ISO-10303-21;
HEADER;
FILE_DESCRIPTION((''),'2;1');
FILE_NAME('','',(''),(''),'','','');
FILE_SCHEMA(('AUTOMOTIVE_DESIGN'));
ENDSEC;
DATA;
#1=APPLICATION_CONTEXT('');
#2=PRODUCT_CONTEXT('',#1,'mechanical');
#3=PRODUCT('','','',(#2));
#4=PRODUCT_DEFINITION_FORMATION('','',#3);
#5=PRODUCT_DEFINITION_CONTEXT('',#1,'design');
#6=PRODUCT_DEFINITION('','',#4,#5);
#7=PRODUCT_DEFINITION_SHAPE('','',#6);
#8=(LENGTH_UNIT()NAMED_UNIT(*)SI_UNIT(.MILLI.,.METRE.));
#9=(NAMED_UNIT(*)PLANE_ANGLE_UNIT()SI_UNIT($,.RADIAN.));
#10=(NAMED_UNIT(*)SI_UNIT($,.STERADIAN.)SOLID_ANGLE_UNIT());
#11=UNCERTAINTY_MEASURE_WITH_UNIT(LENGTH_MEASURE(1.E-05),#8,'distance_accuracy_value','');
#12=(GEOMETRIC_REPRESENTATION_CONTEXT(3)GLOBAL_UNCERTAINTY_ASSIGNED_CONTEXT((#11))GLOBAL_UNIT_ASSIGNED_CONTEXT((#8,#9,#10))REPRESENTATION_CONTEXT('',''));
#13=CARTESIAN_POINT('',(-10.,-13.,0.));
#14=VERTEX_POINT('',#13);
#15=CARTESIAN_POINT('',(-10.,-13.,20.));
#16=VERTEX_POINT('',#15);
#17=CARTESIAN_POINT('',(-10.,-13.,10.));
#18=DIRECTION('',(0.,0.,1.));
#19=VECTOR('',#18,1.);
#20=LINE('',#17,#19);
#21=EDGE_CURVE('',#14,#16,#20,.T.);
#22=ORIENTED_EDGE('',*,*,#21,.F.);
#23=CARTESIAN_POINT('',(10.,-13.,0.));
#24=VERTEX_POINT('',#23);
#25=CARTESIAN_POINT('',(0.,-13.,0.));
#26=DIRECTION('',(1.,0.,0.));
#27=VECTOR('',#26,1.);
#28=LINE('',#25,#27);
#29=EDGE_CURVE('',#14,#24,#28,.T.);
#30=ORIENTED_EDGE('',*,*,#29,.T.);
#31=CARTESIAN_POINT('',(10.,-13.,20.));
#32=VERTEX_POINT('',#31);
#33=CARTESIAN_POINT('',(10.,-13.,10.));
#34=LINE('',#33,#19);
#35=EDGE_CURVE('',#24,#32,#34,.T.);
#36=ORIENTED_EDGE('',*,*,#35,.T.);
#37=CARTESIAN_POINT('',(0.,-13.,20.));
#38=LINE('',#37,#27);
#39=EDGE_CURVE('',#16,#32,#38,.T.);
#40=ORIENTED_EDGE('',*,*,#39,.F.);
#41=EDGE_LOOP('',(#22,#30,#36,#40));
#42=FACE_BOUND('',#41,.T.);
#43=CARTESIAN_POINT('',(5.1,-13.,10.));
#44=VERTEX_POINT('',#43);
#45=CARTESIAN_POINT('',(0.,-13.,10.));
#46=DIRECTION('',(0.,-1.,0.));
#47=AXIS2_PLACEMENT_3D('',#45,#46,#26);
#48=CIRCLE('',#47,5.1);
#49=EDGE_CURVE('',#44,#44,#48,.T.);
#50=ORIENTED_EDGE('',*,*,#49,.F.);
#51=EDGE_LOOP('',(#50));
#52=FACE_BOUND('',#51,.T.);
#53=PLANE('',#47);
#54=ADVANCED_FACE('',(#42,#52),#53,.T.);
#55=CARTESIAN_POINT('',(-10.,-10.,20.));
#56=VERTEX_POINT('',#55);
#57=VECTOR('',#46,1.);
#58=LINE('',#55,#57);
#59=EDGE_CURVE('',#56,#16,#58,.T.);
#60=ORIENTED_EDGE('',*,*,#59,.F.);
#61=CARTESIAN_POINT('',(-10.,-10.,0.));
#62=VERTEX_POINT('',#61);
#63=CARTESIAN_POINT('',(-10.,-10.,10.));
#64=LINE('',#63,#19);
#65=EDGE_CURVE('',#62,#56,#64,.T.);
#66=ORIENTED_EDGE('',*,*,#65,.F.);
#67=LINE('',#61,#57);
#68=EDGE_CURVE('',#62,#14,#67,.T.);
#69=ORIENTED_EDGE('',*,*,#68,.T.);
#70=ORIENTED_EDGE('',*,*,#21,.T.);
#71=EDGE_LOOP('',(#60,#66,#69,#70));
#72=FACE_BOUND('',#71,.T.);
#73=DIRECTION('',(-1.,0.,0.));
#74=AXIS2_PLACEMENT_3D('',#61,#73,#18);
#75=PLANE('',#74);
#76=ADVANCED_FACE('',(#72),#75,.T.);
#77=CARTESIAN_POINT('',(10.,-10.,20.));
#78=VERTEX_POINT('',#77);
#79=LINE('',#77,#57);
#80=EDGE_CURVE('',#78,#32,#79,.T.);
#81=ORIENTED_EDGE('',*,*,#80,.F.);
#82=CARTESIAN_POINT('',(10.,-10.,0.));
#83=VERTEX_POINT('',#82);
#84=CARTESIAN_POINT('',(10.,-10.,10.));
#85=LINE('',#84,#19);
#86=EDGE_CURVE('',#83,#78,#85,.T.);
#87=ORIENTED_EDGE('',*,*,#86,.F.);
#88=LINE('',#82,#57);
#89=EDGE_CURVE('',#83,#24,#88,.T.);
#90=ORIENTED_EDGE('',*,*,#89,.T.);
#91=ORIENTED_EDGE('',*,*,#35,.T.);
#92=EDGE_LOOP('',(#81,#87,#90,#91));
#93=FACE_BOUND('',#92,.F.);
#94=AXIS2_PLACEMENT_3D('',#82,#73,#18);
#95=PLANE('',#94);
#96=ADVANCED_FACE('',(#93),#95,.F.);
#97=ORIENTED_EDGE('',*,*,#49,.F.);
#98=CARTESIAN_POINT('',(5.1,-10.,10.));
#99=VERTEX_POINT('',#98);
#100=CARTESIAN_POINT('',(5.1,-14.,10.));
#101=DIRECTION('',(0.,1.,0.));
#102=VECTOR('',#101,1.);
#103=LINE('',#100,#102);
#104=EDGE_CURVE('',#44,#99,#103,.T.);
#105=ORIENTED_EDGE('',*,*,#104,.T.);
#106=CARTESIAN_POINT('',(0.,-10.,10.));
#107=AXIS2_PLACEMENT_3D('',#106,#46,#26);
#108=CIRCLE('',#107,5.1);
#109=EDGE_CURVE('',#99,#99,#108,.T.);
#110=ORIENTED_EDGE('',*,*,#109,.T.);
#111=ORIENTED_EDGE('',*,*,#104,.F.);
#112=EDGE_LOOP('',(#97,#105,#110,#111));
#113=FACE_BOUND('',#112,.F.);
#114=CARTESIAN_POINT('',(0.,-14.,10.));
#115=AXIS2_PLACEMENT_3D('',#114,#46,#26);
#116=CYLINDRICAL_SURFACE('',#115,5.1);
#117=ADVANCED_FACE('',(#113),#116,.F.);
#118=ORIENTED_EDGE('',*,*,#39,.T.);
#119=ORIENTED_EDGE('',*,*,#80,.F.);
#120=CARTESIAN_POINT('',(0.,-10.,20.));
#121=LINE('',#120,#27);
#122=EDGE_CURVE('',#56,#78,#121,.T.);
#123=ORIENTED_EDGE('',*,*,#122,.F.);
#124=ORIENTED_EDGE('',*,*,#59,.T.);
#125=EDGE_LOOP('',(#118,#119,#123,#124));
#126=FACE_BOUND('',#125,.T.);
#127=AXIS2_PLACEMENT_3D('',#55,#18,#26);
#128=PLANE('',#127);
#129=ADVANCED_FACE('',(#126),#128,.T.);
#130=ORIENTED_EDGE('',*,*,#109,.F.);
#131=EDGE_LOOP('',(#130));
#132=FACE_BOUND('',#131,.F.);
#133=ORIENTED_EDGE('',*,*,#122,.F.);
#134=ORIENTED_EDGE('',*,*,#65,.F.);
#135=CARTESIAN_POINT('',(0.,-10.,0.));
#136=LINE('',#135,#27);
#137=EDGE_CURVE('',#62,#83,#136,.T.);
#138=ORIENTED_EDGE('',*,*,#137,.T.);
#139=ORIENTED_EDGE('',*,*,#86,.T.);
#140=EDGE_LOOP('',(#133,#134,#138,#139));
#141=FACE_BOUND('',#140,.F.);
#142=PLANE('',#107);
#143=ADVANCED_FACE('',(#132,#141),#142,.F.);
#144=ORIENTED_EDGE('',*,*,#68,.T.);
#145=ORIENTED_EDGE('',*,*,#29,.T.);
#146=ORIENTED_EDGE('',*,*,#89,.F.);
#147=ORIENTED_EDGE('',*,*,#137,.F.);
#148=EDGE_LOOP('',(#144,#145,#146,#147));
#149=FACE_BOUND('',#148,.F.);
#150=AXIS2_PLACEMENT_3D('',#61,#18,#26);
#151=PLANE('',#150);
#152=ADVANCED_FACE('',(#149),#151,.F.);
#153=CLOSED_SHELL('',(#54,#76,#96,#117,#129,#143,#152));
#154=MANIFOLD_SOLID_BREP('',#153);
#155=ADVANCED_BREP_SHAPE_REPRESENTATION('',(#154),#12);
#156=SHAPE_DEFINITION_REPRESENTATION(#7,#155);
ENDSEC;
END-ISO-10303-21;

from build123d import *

# Parameters (mm, degrees)
SKETCH001_W  = 20
SKETCH001_H  = 20
PAD_DEPTH    = 3
SKETCH002_R  = 5.1
POCKET_DEPTH = 5


with BuildPart() as part:
    # Sketch001 → Pad (new body)
    with BuildSketch(Plane.XZ.offset(10)):
        with Locations((0, 10)):
            Rectangle(SKETCH001_W, SKETCH001_H)
    extrude(amount=PAD_DEPTH)

    # Sketch002 → Pocket (cut)
    with BuildSketch(Plane.XZ.offset(14)):
        with Locations((0, 10)):
            Circle(SKETCH002_R)
    extrude(amount=-POCKET_DEPTH, mode=Mode.SUBTRACT)


solid = part.part
